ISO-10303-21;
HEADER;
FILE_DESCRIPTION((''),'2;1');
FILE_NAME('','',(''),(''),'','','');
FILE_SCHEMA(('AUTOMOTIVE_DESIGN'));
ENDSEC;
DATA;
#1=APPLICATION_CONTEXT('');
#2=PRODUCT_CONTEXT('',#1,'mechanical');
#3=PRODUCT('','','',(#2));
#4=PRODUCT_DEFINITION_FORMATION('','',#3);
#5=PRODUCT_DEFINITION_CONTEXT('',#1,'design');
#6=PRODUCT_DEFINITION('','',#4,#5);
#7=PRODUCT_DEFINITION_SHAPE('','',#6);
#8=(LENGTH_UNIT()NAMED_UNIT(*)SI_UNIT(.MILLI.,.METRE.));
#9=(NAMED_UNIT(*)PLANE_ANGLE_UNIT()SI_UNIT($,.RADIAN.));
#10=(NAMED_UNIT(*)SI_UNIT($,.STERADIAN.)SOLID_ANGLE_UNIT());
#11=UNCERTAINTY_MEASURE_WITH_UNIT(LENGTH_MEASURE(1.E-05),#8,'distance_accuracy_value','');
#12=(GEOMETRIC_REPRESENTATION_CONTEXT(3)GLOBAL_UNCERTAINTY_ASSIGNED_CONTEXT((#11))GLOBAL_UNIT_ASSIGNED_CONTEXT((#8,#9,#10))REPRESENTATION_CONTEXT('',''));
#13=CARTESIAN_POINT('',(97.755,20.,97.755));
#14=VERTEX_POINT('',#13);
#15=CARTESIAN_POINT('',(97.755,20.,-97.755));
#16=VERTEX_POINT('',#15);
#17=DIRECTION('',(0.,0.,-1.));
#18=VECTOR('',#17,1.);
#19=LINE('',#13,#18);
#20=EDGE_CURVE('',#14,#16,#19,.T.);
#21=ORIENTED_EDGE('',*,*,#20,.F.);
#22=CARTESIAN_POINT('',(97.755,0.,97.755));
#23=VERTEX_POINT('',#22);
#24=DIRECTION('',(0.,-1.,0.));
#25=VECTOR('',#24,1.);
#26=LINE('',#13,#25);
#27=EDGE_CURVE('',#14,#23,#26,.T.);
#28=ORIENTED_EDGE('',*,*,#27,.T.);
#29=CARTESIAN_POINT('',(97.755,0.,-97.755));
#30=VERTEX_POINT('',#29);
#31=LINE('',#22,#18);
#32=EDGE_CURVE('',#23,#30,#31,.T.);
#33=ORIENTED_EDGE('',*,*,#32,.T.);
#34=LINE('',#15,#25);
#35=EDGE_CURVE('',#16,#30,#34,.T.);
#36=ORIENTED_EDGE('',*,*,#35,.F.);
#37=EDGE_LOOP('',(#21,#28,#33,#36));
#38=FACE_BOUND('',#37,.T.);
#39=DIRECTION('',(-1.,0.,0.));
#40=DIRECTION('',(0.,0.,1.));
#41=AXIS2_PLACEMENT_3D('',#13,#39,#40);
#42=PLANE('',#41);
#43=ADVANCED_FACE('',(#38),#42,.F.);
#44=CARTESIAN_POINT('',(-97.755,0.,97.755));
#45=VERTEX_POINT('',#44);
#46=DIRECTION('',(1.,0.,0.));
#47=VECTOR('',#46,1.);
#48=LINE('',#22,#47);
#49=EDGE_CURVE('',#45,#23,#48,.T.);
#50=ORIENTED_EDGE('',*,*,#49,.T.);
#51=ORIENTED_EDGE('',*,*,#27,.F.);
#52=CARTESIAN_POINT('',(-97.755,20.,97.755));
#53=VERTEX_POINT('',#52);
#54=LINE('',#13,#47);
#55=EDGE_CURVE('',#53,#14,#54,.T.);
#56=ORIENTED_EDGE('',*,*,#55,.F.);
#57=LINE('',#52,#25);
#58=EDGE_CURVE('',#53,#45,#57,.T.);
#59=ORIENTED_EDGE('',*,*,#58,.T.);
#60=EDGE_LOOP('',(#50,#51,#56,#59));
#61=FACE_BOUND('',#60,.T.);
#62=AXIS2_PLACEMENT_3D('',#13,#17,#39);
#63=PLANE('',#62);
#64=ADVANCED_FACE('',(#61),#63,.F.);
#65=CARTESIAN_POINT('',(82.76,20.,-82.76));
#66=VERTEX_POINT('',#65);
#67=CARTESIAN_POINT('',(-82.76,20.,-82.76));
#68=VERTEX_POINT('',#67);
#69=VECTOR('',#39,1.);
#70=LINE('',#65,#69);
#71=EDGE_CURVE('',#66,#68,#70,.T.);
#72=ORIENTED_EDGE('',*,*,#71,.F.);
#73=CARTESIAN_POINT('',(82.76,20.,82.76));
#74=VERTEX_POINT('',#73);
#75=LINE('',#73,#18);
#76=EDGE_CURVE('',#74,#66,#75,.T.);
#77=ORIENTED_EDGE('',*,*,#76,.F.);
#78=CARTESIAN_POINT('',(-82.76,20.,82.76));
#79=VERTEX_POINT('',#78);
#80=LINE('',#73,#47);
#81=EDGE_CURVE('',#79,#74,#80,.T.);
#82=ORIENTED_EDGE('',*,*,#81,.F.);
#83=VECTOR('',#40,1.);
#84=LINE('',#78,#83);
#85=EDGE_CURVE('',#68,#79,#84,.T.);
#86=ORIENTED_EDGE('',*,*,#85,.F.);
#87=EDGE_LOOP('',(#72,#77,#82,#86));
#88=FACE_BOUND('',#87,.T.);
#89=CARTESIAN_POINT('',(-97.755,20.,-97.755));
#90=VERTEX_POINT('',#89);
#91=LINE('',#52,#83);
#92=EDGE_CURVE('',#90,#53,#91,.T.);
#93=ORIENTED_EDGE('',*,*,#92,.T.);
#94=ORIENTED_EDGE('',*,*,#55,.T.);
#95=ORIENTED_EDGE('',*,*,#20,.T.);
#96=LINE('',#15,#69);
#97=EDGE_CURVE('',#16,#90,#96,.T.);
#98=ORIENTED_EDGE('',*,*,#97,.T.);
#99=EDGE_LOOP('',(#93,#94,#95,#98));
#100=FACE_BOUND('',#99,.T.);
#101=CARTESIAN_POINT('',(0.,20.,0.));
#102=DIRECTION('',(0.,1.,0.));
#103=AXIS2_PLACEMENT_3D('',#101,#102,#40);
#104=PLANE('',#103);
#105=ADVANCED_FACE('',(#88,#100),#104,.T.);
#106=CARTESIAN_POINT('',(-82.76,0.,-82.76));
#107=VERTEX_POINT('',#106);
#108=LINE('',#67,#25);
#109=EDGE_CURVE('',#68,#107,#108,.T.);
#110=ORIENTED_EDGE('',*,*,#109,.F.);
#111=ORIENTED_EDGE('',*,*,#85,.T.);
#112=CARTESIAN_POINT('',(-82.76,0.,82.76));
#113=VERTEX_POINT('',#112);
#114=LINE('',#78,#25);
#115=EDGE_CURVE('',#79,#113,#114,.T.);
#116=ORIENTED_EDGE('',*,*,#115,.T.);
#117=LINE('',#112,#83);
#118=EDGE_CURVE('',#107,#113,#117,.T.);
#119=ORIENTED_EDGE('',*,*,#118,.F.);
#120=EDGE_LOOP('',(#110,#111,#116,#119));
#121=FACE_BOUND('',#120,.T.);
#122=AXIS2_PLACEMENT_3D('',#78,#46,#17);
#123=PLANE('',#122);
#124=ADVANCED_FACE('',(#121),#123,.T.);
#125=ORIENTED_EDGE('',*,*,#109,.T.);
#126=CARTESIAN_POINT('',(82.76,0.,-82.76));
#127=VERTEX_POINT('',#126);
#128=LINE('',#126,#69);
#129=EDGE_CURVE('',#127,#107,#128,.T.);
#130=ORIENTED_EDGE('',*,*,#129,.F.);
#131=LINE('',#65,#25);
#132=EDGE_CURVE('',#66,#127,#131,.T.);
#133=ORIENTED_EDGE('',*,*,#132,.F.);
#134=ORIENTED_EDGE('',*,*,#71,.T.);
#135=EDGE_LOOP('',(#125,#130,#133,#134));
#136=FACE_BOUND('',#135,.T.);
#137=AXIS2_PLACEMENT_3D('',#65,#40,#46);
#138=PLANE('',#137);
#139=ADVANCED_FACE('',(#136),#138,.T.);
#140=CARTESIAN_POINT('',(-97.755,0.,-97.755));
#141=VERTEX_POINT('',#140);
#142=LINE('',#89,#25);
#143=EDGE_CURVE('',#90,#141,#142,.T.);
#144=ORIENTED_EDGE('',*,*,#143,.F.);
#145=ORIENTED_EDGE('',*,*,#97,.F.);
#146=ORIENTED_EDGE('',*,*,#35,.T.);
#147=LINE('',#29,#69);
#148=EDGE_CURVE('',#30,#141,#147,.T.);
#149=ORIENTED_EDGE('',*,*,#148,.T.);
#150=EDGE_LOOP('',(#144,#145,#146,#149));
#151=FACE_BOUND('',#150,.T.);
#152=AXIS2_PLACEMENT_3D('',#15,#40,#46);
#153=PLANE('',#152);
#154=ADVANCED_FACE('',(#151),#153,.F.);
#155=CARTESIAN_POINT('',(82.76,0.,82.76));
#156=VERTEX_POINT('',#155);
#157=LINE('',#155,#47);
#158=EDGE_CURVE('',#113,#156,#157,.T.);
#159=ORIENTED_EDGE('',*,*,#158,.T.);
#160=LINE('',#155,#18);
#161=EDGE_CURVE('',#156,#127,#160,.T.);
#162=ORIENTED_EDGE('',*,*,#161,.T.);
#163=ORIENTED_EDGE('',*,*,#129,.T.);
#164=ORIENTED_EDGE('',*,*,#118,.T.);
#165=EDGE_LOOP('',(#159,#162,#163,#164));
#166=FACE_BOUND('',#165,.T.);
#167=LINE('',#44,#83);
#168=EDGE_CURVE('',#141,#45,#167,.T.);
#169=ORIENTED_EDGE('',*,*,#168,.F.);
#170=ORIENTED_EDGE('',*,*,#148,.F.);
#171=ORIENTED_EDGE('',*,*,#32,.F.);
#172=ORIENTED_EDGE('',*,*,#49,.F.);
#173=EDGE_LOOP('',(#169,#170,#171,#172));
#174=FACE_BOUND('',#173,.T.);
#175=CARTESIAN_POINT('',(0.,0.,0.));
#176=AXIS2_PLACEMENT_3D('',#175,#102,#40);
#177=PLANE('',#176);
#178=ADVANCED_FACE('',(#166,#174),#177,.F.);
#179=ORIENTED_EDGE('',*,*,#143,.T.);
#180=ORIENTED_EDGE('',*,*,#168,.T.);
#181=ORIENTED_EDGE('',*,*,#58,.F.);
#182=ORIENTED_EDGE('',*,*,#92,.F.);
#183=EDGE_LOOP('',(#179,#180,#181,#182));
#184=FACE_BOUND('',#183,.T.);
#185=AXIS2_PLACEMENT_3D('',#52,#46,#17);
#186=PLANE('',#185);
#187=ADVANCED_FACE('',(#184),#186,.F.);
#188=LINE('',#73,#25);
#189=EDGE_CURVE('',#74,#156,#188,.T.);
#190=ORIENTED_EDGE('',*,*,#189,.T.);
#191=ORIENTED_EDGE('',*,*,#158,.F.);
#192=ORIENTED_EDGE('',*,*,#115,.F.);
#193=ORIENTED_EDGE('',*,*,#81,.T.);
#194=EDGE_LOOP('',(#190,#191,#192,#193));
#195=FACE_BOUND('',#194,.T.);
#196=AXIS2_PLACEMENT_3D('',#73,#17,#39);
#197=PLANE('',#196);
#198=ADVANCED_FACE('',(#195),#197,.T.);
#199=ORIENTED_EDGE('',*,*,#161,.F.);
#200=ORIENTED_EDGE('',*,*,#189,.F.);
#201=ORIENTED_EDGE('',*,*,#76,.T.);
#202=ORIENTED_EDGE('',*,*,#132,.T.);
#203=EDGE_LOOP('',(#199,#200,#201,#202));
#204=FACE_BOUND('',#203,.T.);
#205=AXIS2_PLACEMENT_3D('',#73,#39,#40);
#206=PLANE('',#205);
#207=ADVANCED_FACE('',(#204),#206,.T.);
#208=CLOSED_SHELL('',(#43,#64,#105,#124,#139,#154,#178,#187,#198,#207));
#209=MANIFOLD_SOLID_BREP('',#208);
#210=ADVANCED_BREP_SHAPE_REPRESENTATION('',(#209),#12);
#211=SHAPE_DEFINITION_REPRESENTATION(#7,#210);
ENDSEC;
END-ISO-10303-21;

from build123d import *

# Parameters (mm, degrees)
SKETCH1_W           = 195.51
SKETCH1_H           = 195.51
SKETCH1_W_2         = 165.52
SKETCH1_H_2         = 165.52
BOSS_EXTRUDE1_DEPTH = 20


with BuildPart() as part:
    # Sketch1 → Boss-Extrude1 (new body)
    with BuildSketch(Plane(origin=(0, 0, 0), x_dir=(1, 0, 0), z_dir=(0, 1, 0))):
        Rectangle(SKETCH1_W, SKETCH1_H)
        Rectangle(SKETCH1_W_2, SKETCH1_H_2, mode=Mode.SUBTRACT)
    extrude(amount=BOSS_EXTRUDE1_DEPTH)


solid = part.part
